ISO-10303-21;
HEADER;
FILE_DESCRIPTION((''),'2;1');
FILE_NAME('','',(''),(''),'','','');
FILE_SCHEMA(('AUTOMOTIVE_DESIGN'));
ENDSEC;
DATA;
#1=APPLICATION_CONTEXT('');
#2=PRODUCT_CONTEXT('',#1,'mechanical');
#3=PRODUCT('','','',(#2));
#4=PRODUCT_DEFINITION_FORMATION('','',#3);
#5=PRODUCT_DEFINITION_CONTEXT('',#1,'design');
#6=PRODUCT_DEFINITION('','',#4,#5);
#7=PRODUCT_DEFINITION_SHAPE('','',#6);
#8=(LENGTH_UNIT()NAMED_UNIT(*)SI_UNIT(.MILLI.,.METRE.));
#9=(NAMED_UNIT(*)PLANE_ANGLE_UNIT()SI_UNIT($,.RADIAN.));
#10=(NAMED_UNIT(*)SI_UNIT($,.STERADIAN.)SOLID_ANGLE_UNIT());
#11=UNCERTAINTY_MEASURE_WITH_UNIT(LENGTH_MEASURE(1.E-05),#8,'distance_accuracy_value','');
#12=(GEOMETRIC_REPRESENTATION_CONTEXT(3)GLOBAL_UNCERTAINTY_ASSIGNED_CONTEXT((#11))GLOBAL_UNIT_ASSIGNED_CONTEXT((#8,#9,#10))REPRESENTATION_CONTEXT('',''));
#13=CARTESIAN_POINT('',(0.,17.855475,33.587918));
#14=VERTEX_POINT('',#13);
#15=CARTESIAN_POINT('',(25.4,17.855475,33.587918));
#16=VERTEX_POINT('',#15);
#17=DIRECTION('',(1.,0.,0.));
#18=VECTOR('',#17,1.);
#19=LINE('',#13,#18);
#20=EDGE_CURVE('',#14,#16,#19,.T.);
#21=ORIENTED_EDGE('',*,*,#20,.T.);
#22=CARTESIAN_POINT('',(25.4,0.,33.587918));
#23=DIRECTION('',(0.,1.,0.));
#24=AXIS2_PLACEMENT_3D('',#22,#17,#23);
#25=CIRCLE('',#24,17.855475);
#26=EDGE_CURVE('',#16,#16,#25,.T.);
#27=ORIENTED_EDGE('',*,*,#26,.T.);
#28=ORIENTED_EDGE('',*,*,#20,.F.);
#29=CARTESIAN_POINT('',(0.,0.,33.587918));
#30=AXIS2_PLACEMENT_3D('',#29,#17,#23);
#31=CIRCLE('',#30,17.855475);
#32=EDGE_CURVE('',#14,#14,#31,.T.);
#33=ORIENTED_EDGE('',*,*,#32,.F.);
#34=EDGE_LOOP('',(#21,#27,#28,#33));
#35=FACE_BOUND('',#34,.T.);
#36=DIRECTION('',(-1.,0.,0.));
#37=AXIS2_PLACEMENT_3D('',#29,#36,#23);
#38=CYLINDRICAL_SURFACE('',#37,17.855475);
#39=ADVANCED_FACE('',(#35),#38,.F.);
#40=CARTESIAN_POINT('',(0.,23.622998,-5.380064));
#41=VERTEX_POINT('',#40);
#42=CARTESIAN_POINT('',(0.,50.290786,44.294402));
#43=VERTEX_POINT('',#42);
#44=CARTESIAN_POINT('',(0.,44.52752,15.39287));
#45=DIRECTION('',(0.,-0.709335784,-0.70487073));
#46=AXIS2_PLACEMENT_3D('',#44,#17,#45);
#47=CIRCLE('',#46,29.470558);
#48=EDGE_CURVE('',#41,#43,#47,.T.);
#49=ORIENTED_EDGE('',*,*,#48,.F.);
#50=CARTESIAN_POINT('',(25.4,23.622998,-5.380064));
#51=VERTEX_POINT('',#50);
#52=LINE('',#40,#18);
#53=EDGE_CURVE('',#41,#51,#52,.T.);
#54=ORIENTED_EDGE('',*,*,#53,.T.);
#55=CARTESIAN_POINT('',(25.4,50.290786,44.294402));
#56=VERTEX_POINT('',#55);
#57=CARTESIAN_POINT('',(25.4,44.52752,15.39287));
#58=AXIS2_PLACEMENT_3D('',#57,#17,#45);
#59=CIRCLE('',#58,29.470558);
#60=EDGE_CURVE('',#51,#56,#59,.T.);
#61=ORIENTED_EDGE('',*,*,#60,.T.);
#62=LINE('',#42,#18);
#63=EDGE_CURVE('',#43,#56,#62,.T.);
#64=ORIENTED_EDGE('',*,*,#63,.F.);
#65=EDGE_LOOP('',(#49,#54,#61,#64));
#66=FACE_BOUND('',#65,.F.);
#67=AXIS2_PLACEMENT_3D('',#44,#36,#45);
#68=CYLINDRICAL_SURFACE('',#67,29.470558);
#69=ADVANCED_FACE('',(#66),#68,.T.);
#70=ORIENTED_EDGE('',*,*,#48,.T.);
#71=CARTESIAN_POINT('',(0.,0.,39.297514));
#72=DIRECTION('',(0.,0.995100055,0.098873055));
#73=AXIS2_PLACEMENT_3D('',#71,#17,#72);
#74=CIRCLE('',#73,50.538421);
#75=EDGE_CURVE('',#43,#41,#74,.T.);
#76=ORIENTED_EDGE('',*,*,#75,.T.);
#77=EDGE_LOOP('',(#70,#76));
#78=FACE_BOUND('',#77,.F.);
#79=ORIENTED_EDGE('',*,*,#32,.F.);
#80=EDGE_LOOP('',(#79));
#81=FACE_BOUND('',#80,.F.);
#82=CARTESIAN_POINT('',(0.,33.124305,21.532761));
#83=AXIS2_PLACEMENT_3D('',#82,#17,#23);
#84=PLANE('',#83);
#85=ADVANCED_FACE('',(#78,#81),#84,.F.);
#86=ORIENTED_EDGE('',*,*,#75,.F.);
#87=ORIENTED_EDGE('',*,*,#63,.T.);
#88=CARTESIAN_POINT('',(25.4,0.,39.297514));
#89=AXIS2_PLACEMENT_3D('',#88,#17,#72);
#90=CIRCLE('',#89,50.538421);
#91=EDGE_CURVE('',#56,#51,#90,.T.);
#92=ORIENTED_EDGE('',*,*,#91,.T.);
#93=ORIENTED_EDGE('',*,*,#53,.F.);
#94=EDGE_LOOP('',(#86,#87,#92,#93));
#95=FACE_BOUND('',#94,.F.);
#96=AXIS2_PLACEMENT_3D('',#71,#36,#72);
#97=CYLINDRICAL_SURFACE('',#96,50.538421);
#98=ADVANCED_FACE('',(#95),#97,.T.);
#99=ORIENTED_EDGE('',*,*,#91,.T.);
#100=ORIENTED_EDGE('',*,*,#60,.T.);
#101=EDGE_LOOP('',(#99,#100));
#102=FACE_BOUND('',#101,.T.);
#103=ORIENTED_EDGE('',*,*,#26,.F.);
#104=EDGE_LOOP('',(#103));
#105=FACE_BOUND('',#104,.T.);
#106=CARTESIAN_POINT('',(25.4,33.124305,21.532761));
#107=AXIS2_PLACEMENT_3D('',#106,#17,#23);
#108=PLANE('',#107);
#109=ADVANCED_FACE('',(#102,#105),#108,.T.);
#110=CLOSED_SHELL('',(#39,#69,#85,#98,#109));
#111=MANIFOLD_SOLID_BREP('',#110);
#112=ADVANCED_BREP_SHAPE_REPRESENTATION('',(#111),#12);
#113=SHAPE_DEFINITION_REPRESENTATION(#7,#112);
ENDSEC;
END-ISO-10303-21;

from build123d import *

# Parameters (mm, degrees)
F0_R     = 17.8554750875
F1_DEPTH = 25.4


with BuildPart() as f1:
    # F0 (on Right) → F1 (new body)
    with BuildSketch(Plane.YZ):
        with BuildLine():
            ThreePointArc((23.6229981348, -5.3800642775), (43.2897276497, 13.2181829286), (50.5384211425, 39.2975136638))
            ThreePointArc((50.5384211425, 39.2975136638), (50.4764743034, 41.7990239018), (50.2907856474, 44.29440175))
            ThreePointArc((50.2907856474, 44.29440175), (18.5621090013, 29.3324266036), (23.6229981348, -5.3800642775))
        make_face()
        with BuildLine():
            ThreePointArc((50.2907856474, 44.29440175), (50.4764743034, 41.7990239018), (50.5384211425, 39.2975136638))
            ThreePointArc((50.5384211425, 39.2975136638), (43.2897276497, 13.2181829286), (23.6229981348, -5.3800642775))
            ThreePointArc((23.6229981348, -5.3800642775), (55.7624179669, -11.8521457044), (73.9980777624, 15.3928695638))
            ThreePointArc((73.9980777624, 15.3928695638), (67.3130464279, 34.0833368007), (50.2907856474, 44.29440175))
        make_face()
        with BuildLine():
            ThreePointArc((23.6229981348, -5.3800642775), (18.5621090013, 29.3324266036), (50.2907856474, 44.29440175))
            ThreePointArc((50.2907856474, 44.29440175), (-44.5275196034, 63.2021577638), (23.6229981348, -5.3800642775))
        make_face()
        with Locations((0, 33.5879176855)):
            Circle(F0_R, mode=Mode.SUBTRACT)
    extrude(amount=F1_DEPTH)


solid = f1.part
